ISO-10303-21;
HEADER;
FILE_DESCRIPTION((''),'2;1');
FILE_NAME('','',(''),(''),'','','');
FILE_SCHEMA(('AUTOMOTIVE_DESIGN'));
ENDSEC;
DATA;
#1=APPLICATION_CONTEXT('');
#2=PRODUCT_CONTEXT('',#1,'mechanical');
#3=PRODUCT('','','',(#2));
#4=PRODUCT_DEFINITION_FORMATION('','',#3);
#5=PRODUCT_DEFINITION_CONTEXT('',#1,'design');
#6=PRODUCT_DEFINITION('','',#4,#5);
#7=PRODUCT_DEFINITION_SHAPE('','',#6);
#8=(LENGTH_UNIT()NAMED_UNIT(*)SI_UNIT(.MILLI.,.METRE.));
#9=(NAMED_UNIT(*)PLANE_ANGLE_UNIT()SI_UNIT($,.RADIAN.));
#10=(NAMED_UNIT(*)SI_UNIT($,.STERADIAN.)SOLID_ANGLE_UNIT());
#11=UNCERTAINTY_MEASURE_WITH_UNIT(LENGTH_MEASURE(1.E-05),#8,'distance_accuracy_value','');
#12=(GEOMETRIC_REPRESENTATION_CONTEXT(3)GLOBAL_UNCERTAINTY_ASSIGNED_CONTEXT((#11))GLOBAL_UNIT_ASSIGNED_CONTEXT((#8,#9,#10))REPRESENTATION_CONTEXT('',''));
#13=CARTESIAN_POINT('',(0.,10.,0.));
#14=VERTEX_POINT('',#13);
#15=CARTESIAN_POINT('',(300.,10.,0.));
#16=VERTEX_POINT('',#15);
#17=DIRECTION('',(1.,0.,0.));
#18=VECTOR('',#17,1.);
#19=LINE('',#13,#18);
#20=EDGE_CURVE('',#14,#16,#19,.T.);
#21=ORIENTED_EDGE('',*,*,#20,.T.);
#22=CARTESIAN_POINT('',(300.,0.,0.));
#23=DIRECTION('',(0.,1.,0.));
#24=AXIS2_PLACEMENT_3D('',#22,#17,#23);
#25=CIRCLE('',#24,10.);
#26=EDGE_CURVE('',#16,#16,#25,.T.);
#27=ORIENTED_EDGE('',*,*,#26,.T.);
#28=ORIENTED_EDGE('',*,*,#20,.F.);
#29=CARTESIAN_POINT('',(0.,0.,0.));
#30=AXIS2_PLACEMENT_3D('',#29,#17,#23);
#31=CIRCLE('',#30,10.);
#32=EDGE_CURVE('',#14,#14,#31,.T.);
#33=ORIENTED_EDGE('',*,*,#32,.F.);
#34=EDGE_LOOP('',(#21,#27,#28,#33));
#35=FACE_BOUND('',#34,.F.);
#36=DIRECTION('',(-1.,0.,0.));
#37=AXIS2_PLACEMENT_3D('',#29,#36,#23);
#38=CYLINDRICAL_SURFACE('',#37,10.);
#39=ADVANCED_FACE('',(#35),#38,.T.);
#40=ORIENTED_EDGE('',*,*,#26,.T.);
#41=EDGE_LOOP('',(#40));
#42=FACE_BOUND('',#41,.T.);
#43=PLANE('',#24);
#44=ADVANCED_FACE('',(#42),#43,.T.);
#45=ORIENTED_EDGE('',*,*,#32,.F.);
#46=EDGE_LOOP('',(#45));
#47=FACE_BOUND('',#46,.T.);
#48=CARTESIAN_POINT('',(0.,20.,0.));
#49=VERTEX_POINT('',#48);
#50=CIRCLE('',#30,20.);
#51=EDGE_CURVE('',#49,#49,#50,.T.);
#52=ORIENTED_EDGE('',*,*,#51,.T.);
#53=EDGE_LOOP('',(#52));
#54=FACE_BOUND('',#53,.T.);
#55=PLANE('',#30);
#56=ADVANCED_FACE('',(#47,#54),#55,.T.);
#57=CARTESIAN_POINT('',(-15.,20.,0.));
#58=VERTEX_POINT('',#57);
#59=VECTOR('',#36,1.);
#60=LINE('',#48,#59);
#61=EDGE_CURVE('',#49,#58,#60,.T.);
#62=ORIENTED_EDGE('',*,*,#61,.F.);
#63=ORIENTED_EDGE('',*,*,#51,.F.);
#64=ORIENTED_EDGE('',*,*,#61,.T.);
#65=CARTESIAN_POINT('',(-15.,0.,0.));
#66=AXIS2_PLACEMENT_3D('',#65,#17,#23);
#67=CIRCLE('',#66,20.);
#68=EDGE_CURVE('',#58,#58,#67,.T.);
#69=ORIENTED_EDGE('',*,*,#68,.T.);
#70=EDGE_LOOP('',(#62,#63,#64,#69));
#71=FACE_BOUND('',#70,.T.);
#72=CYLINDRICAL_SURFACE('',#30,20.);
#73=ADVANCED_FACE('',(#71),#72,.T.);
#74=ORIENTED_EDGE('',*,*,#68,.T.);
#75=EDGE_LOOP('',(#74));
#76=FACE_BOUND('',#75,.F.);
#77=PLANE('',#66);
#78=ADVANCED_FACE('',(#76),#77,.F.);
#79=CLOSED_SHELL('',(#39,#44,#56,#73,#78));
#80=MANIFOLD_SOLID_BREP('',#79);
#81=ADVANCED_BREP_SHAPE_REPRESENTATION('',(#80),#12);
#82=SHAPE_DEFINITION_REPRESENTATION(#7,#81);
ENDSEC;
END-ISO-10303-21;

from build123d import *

# Parameters (mm, degrees)
F0_R     = 10
F1_DEPTH = 300
F2_R     = 20
F3_DEPTH = 15


with BuildPart() as f1:
    # F0 (on Right) → F1 (new body)
    with BuildSketch(Plane.YZ):
        Circle(F0_R)
    extrude(amount=F1_DEPTH)

    # F2 (on Right) → F3 (join)
    with BuildSketch(Plane.YZ):
        Circle(F2_R)
    extrude(amount=-F3_DEPTH)


solid = f1.part
